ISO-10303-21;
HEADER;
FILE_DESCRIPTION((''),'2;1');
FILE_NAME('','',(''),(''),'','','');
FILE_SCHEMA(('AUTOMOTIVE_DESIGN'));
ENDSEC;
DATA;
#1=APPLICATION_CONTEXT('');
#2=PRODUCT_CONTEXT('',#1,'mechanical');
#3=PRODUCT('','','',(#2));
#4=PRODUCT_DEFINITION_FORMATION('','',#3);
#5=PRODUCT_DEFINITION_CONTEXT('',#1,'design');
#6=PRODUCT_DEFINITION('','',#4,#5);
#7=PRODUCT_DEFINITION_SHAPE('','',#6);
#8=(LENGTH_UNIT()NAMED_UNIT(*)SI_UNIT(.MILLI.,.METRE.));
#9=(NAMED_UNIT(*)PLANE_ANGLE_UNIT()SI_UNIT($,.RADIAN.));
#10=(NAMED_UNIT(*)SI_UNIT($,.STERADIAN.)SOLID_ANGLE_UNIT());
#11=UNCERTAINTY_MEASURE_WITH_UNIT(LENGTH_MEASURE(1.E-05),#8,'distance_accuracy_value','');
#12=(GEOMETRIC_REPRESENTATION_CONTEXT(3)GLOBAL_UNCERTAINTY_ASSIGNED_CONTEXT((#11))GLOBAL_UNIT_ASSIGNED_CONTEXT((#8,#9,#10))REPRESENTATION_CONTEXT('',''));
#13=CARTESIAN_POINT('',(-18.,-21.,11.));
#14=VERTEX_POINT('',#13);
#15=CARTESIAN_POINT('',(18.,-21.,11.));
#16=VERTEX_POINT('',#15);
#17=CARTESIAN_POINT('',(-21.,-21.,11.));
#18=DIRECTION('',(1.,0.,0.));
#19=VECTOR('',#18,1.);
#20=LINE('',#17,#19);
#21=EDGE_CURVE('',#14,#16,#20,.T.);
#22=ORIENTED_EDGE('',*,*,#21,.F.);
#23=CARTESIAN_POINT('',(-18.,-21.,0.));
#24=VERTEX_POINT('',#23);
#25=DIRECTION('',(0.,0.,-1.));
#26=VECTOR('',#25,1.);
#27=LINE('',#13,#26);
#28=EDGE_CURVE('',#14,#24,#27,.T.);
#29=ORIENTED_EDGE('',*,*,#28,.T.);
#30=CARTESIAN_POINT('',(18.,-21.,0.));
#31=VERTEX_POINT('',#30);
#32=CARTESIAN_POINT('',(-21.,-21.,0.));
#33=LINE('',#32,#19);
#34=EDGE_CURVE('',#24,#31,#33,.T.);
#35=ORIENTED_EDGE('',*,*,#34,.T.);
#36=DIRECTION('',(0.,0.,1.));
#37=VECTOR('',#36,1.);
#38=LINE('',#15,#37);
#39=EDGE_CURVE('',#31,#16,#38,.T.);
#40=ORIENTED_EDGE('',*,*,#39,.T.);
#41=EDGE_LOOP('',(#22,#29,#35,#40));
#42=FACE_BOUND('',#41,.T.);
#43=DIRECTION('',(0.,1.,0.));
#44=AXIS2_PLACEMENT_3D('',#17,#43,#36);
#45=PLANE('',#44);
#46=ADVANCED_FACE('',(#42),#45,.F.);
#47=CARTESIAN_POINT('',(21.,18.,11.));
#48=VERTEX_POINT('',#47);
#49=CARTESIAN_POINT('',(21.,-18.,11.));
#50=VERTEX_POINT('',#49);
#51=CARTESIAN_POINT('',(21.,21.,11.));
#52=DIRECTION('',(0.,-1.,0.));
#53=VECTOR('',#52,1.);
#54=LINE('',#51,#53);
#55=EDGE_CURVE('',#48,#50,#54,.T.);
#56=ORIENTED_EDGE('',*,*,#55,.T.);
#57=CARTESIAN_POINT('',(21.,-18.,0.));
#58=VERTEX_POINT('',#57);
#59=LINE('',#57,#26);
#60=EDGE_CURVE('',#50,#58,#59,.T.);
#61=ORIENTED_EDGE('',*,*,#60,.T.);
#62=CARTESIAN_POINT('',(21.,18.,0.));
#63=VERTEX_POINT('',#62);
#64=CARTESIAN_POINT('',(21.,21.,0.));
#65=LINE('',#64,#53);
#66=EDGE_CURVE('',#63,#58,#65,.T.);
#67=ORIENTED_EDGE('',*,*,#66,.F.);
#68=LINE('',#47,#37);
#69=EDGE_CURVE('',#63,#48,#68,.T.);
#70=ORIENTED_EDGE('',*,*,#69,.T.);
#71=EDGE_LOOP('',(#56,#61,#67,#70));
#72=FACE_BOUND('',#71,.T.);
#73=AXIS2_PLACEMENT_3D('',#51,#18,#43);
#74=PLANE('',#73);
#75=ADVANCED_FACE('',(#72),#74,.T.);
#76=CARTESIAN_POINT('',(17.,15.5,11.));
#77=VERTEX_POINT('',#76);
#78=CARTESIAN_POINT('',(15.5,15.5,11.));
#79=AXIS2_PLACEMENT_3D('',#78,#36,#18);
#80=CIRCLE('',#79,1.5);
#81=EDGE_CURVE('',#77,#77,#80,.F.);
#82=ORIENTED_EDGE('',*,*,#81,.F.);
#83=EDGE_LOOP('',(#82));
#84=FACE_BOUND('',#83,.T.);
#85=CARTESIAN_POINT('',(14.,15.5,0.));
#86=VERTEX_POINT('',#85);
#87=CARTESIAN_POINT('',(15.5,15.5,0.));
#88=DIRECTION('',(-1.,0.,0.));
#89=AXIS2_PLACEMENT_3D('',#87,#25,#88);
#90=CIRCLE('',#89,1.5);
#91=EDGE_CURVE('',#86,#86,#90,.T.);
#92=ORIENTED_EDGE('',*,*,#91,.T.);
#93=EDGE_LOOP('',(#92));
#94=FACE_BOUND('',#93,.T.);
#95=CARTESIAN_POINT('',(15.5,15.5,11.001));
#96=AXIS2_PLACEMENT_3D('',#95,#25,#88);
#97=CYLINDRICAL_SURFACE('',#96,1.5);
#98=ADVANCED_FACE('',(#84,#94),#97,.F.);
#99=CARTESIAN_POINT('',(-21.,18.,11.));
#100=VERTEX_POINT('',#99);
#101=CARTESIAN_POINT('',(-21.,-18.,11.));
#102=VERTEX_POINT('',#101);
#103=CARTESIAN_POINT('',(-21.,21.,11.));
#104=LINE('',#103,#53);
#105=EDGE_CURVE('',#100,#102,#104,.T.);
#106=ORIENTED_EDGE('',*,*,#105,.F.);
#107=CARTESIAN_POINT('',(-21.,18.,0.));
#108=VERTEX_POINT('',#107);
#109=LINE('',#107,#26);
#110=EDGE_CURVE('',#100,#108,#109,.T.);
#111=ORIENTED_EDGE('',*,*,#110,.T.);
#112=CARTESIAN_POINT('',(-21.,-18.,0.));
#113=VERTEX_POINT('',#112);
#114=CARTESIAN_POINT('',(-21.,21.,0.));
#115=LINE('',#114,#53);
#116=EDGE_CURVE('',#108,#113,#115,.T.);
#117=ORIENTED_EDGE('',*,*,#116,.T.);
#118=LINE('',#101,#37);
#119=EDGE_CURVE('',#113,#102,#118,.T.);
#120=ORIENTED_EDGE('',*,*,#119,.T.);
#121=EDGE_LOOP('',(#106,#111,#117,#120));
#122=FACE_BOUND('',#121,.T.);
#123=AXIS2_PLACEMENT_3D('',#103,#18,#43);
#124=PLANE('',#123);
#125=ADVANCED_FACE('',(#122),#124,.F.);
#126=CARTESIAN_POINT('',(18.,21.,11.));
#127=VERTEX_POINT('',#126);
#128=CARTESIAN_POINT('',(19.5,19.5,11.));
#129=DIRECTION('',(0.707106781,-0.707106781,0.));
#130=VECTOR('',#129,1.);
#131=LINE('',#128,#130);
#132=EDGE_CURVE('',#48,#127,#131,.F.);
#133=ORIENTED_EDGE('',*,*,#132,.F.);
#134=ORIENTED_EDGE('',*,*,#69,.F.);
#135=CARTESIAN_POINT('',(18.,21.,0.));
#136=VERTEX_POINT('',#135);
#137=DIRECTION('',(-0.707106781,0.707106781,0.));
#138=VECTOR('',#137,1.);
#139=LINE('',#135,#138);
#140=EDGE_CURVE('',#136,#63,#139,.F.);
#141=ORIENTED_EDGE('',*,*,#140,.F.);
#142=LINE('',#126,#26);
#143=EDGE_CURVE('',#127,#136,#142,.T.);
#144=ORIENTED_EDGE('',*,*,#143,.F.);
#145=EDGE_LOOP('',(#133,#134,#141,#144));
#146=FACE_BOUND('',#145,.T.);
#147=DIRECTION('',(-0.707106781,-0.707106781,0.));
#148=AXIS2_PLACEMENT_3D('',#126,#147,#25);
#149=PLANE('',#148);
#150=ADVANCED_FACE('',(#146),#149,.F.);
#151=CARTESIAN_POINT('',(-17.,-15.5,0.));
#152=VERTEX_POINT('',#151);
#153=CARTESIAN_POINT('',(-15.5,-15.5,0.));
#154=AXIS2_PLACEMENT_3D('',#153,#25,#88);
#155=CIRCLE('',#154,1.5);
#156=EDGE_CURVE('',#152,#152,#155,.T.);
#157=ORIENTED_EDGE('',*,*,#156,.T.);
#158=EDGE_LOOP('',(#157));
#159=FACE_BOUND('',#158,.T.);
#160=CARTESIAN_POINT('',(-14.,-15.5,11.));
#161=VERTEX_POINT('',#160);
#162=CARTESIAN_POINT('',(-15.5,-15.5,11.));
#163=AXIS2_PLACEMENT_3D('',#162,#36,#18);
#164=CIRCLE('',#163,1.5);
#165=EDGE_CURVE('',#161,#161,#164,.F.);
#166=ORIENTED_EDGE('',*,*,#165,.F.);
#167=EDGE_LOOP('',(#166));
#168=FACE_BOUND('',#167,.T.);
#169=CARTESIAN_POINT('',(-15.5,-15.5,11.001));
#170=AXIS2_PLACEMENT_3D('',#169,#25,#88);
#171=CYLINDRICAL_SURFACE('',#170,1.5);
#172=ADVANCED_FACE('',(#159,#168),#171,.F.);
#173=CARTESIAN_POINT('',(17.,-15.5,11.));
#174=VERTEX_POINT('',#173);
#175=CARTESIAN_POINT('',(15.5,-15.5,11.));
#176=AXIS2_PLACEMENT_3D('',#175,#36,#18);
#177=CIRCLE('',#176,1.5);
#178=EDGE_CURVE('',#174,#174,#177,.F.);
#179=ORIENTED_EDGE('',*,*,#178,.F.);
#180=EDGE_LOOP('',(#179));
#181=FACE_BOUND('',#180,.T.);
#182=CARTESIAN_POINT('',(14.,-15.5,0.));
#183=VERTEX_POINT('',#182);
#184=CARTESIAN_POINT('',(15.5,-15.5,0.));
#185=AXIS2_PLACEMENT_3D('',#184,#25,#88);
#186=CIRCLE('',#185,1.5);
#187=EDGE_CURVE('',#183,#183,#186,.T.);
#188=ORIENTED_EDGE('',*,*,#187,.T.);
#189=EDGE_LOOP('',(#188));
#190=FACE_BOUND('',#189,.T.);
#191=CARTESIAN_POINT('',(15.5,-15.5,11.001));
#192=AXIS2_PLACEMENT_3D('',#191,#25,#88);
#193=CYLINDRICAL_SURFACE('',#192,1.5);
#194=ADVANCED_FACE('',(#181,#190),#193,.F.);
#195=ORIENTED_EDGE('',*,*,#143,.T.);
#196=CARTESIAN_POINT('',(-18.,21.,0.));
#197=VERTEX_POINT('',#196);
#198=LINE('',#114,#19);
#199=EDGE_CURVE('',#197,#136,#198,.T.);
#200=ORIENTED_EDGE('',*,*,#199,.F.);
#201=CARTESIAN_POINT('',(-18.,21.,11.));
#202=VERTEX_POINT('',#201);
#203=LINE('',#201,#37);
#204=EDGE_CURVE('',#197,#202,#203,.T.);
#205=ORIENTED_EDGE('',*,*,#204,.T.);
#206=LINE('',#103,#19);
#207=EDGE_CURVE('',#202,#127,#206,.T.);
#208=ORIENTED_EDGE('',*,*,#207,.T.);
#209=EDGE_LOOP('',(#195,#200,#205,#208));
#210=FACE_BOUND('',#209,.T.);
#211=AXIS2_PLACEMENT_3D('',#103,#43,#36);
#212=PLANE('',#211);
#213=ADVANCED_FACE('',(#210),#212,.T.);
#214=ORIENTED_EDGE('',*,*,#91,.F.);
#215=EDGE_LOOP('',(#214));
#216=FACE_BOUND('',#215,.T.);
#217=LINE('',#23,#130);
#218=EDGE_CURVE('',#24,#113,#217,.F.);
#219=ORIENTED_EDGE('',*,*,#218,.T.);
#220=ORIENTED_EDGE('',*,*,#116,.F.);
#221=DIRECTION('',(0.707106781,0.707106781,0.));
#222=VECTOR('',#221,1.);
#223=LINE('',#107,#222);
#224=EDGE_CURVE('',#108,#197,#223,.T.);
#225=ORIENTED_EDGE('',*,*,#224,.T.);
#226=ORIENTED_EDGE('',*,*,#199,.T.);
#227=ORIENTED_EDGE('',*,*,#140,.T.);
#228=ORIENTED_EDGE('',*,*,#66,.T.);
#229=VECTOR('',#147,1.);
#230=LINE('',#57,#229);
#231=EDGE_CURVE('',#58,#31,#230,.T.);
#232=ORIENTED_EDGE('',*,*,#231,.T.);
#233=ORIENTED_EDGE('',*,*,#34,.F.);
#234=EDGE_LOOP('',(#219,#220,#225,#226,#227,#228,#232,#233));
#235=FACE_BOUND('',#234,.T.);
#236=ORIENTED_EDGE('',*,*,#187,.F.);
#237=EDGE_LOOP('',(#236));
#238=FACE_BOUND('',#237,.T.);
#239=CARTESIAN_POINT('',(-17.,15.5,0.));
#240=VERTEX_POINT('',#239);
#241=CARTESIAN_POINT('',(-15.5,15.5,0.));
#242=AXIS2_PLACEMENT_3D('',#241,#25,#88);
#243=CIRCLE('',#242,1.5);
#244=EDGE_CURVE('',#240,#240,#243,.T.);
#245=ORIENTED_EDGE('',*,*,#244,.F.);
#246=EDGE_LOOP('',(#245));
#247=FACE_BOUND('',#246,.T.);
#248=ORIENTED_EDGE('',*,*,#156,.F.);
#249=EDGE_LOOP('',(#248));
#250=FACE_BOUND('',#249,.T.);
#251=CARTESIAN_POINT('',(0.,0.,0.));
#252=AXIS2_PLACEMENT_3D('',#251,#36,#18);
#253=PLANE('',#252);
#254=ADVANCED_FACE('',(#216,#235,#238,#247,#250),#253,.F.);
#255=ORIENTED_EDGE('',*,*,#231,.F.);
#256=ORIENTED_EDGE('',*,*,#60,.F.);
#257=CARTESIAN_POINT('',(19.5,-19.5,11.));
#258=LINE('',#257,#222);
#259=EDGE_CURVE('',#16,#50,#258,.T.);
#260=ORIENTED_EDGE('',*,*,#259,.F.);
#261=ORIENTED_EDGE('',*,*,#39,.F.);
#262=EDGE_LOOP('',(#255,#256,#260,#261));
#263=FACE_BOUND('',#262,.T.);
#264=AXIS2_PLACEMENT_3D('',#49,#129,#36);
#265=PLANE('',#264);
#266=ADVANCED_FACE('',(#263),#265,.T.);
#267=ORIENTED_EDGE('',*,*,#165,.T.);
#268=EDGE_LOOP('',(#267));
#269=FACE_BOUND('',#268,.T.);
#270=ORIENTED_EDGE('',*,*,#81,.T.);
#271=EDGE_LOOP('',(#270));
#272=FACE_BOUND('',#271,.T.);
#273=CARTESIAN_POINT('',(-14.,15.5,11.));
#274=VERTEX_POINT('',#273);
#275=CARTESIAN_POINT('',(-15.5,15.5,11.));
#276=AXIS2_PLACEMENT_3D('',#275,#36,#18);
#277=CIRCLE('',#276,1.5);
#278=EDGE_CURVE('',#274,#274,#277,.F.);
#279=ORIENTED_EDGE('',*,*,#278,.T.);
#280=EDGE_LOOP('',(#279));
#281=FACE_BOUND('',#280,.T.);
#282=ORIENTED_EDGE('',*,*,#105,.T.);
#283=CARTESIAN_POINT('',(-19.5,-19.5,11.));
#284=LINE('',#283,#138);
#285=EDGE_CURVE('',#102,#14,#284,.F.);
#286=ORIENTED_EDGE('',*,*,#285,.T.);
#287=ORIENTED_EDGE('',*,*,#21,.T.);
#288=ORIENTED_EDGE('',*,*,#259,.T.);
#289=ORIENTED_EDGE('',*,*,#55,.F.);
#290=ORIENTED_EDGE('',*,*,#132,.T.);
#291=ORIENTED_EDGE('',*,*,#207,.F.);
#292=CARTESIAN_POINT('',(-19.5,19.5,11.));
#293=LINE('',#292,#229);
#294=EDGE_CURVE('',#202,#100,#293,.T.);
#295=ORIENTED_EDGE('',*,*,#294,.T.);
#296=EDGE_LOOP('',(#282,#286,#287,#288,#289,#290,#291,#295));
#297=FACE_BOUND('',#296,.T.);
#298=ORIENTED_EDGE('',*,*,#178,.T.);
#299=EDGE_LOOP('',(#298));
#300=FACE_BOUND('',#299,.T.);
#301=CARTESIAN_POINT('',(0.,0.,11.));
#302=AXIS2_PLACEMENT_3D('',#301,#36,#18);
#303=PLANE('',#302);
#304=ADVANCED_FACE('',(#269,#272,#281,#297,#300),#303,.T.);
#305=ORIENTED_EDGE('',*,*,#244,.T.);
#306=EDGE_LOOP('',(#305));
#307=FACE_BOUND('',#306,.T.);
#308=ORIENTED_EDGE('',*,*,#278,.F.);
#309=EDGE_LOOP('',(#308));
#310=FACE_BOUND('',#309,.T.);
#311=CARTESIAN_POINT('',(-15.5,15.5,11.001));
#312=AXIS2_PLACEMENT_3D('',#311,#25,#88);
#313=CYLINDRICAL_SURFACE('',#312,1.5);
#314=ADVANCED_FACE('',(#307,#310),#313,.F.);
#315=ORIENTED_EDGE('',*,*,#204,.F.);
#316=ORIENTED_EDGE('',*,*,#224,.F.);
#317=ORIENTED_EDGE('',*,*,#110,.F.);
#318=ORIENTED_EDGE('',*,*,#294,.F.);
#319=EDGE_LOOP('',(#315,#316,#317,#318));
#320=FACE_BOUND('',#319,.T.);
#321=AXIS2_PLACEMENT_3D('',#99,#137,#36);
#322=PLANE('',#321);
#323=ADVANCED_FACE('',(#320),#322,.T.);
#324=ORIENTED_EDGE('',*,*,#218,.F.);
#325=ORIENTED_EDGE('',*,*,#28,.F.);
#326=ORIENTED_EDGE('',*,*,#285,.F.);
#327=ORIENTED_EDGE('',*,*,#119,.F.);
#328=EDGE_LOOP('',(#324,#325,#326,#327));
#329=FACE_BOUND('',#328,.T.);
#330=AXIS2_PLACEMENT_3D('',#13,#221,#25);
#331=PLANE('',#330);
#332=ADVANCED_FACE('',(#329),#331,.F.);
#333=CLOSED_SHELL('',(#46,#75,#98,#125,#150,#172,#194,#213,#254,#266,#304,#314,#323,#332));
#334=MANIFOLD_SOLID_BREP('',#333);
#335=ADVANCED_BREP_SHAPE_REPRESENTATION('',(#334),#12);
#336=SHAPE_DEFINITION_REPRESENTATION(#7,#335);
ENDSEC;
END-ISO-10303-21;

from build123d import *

# Parameters (mm, degrees)
SKETCH1_W           = 42
SKETCH1_H           = 42
BOSS_EXTRUDE1_DEPTH = 11
CHAMFER1_SIZE       = 3
SKETCH4_R           = 11.25
BOSS_EXTRUDE2_DEPTH = 0.5
CUT_EXTRUDE4_REACH  = 33.67
SKETCH8_R           = 1.5


with BuildPart() as part:
    # Sketch1 → Boss-Extrude1 (new body)
    with BuildSketch(Plane.XY):
        Rectangle(SKETCH1_W, SKETCH1_H)
    extrude(amount=BOSS_EXTRUDE1_DEPTH)

    # Chamfer1
    chamfer1_edges = [part.edges().sort_by_distance(p)[0] for p in [
        (-21, 21, 5.5),
        (21, 21, 5.5),
        (21, -21, 5.5),
        (-21, -21, 5.5),
    ]]
    chamfer(chamfer1_edges, length=CHAMFER1_SIZE)

    # Sketch4 → Boss-Extrude2 (add)
    with BuildSketch(Plane(origin=(0, 0, 0), x_dir=(-1, 0, 0), z_dir=(0, 0, -1))):
        Circle(SKETCH4_R)
    extrude(amount=-BOSS_EXTRUDE2_DEPTH)

    # Sketch8 → Cut-Extrude4 (cut, up to next)
    with BuildSketch(Plane(origin=(0, 0, 0), x_dir=(-1, 0, 0), z_dir=(0, 0, -1)), mode=Mode.PRIVATE) as cut_extrude4_sk1:
        with Locations((15.5, 15.5)):
            Circle(SKETCH8_R)
    cut_extrude4_tool1 = extrude(cut_extrude4_sk1.sketch, amount=-CUT_EXTRUDE4_REACH, mode=Mode.PRIVATE) & part.part
    # Sketch8 → Cut-Extrude4 (cut, up to next)
    with BuildSketch(Plane(origin=(0, 0, 0), x_dir=(-1, 0, 0), z_dir=(0, 0, -1)), mode=Mode.PRIVATE) as cut_extrude4_sk2:
        with Locations((-15.5, 15.5)):
            Circle(SKETCH8_R)
    cut_extrude4_tool2 = extrude(cut_extrude4_sk2.sketch, amount=-CUT_EXTRUDE4_REACH, mode=Mode.PRIVATE) & part.part
    # Sketch8 → Cut-Extrude4 (cut, up to next)
    with BuildSketch(Plane(origin=(0, 0, 0), x_dir=(-1, 0, 0), z_dir=(0, 0, -1)), mode=Mode.PRIVATE) as cut_extrude4_sk3:
        with Locations((-15.5, -15.5)):
            Circle(SKETCH8_R)
    cut_extrude4_tool3 = extrude(cut_extrude4_sk3.sketch, amount=-CUT_EXTRUDE4_REACH, mode=Mode.PRIVATE) & part.part
    # Sketch8 → Cut-Extrude4 (cut, up to next)
    with BuildSketch(Plane(origin=(0, 0, 0), x_dir=(-1, 0, 0), z_dir=(0, 0, -1)), mode=Mode.PRIVATE) as cut_extrude4_sk4:
        with Locations((15.5, -15.5)):
            Circle(SKETCH8_R)
    cut_extrude4_tool4 = extrude(cut_extrude4_sk4.sketch, amount=-CUT_EXTRUDE4_REACH, mode=Mode.PRIVATE) & part.part
    add(cut_extrude4_tool1.solids().sort_by_distance((-15.5, 15.5, 0))[0], mode=Mode.SUBTRACT)
    add(cut_extrude4_tool2.solids().sort_by_distance((15.5, 15.5, 0))[0], mode=Mode.SUBTRACT)
    add(cut_extrude4_tool3.solids().sort_by_distance((15.5, -15.5, 0))[0], mode=Mode.SUBTRACT)
    add(cut_extrude4_tool4.solids().sort_by_distance((-15.5, -15.5, 0))[0], mode=Mode.SUBTRACT)


solid = part.part
